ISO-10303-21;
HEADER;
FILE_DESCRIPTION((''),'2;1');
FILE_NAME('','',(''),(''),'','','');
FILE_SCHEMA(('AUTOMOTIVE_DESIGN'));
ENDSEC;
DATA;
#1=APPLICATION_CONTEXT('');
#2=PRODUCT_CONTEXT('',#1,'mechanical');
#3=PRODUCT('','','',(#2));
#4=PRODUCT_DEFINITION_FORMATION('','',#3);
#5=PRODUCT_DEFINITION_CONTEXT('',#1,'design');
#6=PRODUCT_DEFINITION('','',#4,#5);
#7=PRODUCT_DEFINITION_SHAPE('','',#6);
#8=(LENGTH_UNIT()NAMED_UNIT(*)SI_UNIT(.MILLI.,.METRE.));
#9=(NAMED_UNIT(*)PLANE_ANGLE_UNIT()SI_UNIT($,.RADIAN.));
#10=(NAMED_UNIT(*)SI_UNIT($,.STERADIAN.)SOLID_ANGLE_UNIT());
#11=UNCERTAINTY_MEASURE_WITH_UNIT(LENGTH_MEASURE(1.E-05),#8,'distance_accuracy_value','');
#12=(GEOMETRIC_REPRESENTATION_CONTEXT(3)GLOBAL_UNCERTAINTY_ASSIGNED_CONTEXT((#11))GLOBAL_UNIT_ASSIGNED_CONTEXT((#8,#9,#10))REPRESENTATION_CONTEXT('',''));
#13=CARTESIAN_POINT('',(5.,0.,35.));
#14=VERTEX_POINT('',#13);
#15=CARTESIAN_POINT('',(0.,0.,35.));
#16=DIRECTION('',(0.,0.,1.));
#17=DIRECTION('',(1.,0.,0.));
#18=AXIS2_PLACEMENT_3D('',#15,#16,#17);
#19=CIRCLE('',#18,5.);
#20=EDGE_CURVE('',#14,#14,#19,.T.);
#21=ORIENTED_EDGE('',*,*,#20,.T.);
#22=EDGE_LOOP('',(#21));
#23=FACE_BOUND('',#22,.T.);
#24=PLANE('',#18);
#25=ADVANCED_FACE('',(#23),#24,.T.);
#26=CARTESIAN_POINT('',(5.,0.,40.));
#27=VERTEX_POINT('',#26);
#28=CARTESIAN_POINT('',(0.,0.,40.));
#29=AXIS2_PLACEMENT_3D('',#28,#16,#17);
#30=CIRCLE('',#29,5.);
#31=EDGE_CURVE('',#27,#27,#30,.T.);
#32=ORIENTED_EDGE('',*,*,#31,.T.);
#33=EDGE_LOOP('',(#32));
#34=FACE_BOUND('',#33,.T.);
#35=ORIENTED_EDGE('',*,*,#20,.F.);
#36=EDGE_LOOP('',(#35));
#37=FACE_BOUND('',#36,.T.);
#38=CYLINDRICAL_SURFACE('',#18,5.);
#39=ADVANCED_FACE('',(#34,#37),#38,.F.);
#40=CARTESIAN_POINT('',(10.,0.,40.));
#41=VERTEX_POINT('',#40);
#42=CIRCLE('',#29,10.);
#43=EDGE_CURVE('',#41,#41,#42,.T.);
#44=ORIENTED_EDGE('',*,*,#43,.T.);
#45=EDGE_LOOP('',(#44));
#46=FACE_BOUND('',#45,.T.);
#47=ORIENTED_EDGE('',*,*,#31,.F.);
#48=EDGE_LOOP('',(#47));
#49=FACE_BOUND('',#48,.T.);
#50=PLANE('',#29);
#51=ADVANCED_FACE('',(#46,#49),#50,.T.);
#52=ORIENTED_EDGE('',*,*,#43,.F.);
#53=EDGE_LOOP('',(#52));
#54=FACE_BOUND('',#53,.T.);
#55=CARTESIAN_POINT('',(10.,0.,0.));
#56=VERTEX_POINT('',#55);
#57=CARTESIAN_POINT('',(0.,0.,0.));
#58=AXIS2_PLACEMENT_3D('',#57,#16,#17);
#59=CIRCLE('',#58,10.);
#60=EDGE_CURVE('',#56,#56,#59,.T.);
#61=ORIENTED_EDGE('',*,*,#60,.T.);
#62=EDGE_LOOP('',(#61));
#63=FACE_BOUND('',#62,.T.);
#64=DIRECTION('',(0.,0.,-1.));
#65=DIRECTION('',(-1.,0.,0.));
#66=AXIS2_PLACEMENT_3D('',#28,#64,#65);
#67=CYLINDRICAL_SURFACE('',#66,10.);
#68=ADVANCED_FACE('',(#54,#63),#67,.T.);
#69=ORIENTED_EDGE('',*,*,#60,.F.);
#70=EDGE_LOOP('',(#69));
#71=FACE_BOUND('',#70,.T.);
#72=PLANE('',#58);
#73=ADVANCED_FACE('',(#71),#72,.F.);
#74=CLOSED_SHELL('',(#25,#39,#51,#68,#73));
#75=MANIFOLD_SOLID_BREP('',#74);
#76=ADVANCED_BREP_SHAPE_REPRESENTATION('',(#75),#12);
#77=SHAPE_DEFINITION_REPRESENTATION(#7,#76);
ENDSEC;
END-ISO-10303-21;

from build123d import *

# Parameters (mm, degrees)
ESQUISSE1_R             = 10
BOSS_EXTRU_1_DEPTH      = 40
ESQUISSE2_R             = 5
ENL_V_MAT_EXTRU_1_DEPTH = 5


with BuildPart() as part:
    # Esquisse1 → Boss.-Extru.1 (new body)
    with BuildSketch(Plane.XY):
        Circle(ESQUISSE1_R)
    extrude(amount=BOSS_EXTRU_1_DEPTH)

    # Esquisse2 → Enlèv. mat.-Extru.1 (cut)
    with BuildSketch(Plane.XY.offset(40)):
        Circle(ESQUISSE2_R)
    extrude(amount=-ENL_V_MAT_EXTRU_1_DEPTH, mode=Mode.SUBTRACT)


solid = part.part
